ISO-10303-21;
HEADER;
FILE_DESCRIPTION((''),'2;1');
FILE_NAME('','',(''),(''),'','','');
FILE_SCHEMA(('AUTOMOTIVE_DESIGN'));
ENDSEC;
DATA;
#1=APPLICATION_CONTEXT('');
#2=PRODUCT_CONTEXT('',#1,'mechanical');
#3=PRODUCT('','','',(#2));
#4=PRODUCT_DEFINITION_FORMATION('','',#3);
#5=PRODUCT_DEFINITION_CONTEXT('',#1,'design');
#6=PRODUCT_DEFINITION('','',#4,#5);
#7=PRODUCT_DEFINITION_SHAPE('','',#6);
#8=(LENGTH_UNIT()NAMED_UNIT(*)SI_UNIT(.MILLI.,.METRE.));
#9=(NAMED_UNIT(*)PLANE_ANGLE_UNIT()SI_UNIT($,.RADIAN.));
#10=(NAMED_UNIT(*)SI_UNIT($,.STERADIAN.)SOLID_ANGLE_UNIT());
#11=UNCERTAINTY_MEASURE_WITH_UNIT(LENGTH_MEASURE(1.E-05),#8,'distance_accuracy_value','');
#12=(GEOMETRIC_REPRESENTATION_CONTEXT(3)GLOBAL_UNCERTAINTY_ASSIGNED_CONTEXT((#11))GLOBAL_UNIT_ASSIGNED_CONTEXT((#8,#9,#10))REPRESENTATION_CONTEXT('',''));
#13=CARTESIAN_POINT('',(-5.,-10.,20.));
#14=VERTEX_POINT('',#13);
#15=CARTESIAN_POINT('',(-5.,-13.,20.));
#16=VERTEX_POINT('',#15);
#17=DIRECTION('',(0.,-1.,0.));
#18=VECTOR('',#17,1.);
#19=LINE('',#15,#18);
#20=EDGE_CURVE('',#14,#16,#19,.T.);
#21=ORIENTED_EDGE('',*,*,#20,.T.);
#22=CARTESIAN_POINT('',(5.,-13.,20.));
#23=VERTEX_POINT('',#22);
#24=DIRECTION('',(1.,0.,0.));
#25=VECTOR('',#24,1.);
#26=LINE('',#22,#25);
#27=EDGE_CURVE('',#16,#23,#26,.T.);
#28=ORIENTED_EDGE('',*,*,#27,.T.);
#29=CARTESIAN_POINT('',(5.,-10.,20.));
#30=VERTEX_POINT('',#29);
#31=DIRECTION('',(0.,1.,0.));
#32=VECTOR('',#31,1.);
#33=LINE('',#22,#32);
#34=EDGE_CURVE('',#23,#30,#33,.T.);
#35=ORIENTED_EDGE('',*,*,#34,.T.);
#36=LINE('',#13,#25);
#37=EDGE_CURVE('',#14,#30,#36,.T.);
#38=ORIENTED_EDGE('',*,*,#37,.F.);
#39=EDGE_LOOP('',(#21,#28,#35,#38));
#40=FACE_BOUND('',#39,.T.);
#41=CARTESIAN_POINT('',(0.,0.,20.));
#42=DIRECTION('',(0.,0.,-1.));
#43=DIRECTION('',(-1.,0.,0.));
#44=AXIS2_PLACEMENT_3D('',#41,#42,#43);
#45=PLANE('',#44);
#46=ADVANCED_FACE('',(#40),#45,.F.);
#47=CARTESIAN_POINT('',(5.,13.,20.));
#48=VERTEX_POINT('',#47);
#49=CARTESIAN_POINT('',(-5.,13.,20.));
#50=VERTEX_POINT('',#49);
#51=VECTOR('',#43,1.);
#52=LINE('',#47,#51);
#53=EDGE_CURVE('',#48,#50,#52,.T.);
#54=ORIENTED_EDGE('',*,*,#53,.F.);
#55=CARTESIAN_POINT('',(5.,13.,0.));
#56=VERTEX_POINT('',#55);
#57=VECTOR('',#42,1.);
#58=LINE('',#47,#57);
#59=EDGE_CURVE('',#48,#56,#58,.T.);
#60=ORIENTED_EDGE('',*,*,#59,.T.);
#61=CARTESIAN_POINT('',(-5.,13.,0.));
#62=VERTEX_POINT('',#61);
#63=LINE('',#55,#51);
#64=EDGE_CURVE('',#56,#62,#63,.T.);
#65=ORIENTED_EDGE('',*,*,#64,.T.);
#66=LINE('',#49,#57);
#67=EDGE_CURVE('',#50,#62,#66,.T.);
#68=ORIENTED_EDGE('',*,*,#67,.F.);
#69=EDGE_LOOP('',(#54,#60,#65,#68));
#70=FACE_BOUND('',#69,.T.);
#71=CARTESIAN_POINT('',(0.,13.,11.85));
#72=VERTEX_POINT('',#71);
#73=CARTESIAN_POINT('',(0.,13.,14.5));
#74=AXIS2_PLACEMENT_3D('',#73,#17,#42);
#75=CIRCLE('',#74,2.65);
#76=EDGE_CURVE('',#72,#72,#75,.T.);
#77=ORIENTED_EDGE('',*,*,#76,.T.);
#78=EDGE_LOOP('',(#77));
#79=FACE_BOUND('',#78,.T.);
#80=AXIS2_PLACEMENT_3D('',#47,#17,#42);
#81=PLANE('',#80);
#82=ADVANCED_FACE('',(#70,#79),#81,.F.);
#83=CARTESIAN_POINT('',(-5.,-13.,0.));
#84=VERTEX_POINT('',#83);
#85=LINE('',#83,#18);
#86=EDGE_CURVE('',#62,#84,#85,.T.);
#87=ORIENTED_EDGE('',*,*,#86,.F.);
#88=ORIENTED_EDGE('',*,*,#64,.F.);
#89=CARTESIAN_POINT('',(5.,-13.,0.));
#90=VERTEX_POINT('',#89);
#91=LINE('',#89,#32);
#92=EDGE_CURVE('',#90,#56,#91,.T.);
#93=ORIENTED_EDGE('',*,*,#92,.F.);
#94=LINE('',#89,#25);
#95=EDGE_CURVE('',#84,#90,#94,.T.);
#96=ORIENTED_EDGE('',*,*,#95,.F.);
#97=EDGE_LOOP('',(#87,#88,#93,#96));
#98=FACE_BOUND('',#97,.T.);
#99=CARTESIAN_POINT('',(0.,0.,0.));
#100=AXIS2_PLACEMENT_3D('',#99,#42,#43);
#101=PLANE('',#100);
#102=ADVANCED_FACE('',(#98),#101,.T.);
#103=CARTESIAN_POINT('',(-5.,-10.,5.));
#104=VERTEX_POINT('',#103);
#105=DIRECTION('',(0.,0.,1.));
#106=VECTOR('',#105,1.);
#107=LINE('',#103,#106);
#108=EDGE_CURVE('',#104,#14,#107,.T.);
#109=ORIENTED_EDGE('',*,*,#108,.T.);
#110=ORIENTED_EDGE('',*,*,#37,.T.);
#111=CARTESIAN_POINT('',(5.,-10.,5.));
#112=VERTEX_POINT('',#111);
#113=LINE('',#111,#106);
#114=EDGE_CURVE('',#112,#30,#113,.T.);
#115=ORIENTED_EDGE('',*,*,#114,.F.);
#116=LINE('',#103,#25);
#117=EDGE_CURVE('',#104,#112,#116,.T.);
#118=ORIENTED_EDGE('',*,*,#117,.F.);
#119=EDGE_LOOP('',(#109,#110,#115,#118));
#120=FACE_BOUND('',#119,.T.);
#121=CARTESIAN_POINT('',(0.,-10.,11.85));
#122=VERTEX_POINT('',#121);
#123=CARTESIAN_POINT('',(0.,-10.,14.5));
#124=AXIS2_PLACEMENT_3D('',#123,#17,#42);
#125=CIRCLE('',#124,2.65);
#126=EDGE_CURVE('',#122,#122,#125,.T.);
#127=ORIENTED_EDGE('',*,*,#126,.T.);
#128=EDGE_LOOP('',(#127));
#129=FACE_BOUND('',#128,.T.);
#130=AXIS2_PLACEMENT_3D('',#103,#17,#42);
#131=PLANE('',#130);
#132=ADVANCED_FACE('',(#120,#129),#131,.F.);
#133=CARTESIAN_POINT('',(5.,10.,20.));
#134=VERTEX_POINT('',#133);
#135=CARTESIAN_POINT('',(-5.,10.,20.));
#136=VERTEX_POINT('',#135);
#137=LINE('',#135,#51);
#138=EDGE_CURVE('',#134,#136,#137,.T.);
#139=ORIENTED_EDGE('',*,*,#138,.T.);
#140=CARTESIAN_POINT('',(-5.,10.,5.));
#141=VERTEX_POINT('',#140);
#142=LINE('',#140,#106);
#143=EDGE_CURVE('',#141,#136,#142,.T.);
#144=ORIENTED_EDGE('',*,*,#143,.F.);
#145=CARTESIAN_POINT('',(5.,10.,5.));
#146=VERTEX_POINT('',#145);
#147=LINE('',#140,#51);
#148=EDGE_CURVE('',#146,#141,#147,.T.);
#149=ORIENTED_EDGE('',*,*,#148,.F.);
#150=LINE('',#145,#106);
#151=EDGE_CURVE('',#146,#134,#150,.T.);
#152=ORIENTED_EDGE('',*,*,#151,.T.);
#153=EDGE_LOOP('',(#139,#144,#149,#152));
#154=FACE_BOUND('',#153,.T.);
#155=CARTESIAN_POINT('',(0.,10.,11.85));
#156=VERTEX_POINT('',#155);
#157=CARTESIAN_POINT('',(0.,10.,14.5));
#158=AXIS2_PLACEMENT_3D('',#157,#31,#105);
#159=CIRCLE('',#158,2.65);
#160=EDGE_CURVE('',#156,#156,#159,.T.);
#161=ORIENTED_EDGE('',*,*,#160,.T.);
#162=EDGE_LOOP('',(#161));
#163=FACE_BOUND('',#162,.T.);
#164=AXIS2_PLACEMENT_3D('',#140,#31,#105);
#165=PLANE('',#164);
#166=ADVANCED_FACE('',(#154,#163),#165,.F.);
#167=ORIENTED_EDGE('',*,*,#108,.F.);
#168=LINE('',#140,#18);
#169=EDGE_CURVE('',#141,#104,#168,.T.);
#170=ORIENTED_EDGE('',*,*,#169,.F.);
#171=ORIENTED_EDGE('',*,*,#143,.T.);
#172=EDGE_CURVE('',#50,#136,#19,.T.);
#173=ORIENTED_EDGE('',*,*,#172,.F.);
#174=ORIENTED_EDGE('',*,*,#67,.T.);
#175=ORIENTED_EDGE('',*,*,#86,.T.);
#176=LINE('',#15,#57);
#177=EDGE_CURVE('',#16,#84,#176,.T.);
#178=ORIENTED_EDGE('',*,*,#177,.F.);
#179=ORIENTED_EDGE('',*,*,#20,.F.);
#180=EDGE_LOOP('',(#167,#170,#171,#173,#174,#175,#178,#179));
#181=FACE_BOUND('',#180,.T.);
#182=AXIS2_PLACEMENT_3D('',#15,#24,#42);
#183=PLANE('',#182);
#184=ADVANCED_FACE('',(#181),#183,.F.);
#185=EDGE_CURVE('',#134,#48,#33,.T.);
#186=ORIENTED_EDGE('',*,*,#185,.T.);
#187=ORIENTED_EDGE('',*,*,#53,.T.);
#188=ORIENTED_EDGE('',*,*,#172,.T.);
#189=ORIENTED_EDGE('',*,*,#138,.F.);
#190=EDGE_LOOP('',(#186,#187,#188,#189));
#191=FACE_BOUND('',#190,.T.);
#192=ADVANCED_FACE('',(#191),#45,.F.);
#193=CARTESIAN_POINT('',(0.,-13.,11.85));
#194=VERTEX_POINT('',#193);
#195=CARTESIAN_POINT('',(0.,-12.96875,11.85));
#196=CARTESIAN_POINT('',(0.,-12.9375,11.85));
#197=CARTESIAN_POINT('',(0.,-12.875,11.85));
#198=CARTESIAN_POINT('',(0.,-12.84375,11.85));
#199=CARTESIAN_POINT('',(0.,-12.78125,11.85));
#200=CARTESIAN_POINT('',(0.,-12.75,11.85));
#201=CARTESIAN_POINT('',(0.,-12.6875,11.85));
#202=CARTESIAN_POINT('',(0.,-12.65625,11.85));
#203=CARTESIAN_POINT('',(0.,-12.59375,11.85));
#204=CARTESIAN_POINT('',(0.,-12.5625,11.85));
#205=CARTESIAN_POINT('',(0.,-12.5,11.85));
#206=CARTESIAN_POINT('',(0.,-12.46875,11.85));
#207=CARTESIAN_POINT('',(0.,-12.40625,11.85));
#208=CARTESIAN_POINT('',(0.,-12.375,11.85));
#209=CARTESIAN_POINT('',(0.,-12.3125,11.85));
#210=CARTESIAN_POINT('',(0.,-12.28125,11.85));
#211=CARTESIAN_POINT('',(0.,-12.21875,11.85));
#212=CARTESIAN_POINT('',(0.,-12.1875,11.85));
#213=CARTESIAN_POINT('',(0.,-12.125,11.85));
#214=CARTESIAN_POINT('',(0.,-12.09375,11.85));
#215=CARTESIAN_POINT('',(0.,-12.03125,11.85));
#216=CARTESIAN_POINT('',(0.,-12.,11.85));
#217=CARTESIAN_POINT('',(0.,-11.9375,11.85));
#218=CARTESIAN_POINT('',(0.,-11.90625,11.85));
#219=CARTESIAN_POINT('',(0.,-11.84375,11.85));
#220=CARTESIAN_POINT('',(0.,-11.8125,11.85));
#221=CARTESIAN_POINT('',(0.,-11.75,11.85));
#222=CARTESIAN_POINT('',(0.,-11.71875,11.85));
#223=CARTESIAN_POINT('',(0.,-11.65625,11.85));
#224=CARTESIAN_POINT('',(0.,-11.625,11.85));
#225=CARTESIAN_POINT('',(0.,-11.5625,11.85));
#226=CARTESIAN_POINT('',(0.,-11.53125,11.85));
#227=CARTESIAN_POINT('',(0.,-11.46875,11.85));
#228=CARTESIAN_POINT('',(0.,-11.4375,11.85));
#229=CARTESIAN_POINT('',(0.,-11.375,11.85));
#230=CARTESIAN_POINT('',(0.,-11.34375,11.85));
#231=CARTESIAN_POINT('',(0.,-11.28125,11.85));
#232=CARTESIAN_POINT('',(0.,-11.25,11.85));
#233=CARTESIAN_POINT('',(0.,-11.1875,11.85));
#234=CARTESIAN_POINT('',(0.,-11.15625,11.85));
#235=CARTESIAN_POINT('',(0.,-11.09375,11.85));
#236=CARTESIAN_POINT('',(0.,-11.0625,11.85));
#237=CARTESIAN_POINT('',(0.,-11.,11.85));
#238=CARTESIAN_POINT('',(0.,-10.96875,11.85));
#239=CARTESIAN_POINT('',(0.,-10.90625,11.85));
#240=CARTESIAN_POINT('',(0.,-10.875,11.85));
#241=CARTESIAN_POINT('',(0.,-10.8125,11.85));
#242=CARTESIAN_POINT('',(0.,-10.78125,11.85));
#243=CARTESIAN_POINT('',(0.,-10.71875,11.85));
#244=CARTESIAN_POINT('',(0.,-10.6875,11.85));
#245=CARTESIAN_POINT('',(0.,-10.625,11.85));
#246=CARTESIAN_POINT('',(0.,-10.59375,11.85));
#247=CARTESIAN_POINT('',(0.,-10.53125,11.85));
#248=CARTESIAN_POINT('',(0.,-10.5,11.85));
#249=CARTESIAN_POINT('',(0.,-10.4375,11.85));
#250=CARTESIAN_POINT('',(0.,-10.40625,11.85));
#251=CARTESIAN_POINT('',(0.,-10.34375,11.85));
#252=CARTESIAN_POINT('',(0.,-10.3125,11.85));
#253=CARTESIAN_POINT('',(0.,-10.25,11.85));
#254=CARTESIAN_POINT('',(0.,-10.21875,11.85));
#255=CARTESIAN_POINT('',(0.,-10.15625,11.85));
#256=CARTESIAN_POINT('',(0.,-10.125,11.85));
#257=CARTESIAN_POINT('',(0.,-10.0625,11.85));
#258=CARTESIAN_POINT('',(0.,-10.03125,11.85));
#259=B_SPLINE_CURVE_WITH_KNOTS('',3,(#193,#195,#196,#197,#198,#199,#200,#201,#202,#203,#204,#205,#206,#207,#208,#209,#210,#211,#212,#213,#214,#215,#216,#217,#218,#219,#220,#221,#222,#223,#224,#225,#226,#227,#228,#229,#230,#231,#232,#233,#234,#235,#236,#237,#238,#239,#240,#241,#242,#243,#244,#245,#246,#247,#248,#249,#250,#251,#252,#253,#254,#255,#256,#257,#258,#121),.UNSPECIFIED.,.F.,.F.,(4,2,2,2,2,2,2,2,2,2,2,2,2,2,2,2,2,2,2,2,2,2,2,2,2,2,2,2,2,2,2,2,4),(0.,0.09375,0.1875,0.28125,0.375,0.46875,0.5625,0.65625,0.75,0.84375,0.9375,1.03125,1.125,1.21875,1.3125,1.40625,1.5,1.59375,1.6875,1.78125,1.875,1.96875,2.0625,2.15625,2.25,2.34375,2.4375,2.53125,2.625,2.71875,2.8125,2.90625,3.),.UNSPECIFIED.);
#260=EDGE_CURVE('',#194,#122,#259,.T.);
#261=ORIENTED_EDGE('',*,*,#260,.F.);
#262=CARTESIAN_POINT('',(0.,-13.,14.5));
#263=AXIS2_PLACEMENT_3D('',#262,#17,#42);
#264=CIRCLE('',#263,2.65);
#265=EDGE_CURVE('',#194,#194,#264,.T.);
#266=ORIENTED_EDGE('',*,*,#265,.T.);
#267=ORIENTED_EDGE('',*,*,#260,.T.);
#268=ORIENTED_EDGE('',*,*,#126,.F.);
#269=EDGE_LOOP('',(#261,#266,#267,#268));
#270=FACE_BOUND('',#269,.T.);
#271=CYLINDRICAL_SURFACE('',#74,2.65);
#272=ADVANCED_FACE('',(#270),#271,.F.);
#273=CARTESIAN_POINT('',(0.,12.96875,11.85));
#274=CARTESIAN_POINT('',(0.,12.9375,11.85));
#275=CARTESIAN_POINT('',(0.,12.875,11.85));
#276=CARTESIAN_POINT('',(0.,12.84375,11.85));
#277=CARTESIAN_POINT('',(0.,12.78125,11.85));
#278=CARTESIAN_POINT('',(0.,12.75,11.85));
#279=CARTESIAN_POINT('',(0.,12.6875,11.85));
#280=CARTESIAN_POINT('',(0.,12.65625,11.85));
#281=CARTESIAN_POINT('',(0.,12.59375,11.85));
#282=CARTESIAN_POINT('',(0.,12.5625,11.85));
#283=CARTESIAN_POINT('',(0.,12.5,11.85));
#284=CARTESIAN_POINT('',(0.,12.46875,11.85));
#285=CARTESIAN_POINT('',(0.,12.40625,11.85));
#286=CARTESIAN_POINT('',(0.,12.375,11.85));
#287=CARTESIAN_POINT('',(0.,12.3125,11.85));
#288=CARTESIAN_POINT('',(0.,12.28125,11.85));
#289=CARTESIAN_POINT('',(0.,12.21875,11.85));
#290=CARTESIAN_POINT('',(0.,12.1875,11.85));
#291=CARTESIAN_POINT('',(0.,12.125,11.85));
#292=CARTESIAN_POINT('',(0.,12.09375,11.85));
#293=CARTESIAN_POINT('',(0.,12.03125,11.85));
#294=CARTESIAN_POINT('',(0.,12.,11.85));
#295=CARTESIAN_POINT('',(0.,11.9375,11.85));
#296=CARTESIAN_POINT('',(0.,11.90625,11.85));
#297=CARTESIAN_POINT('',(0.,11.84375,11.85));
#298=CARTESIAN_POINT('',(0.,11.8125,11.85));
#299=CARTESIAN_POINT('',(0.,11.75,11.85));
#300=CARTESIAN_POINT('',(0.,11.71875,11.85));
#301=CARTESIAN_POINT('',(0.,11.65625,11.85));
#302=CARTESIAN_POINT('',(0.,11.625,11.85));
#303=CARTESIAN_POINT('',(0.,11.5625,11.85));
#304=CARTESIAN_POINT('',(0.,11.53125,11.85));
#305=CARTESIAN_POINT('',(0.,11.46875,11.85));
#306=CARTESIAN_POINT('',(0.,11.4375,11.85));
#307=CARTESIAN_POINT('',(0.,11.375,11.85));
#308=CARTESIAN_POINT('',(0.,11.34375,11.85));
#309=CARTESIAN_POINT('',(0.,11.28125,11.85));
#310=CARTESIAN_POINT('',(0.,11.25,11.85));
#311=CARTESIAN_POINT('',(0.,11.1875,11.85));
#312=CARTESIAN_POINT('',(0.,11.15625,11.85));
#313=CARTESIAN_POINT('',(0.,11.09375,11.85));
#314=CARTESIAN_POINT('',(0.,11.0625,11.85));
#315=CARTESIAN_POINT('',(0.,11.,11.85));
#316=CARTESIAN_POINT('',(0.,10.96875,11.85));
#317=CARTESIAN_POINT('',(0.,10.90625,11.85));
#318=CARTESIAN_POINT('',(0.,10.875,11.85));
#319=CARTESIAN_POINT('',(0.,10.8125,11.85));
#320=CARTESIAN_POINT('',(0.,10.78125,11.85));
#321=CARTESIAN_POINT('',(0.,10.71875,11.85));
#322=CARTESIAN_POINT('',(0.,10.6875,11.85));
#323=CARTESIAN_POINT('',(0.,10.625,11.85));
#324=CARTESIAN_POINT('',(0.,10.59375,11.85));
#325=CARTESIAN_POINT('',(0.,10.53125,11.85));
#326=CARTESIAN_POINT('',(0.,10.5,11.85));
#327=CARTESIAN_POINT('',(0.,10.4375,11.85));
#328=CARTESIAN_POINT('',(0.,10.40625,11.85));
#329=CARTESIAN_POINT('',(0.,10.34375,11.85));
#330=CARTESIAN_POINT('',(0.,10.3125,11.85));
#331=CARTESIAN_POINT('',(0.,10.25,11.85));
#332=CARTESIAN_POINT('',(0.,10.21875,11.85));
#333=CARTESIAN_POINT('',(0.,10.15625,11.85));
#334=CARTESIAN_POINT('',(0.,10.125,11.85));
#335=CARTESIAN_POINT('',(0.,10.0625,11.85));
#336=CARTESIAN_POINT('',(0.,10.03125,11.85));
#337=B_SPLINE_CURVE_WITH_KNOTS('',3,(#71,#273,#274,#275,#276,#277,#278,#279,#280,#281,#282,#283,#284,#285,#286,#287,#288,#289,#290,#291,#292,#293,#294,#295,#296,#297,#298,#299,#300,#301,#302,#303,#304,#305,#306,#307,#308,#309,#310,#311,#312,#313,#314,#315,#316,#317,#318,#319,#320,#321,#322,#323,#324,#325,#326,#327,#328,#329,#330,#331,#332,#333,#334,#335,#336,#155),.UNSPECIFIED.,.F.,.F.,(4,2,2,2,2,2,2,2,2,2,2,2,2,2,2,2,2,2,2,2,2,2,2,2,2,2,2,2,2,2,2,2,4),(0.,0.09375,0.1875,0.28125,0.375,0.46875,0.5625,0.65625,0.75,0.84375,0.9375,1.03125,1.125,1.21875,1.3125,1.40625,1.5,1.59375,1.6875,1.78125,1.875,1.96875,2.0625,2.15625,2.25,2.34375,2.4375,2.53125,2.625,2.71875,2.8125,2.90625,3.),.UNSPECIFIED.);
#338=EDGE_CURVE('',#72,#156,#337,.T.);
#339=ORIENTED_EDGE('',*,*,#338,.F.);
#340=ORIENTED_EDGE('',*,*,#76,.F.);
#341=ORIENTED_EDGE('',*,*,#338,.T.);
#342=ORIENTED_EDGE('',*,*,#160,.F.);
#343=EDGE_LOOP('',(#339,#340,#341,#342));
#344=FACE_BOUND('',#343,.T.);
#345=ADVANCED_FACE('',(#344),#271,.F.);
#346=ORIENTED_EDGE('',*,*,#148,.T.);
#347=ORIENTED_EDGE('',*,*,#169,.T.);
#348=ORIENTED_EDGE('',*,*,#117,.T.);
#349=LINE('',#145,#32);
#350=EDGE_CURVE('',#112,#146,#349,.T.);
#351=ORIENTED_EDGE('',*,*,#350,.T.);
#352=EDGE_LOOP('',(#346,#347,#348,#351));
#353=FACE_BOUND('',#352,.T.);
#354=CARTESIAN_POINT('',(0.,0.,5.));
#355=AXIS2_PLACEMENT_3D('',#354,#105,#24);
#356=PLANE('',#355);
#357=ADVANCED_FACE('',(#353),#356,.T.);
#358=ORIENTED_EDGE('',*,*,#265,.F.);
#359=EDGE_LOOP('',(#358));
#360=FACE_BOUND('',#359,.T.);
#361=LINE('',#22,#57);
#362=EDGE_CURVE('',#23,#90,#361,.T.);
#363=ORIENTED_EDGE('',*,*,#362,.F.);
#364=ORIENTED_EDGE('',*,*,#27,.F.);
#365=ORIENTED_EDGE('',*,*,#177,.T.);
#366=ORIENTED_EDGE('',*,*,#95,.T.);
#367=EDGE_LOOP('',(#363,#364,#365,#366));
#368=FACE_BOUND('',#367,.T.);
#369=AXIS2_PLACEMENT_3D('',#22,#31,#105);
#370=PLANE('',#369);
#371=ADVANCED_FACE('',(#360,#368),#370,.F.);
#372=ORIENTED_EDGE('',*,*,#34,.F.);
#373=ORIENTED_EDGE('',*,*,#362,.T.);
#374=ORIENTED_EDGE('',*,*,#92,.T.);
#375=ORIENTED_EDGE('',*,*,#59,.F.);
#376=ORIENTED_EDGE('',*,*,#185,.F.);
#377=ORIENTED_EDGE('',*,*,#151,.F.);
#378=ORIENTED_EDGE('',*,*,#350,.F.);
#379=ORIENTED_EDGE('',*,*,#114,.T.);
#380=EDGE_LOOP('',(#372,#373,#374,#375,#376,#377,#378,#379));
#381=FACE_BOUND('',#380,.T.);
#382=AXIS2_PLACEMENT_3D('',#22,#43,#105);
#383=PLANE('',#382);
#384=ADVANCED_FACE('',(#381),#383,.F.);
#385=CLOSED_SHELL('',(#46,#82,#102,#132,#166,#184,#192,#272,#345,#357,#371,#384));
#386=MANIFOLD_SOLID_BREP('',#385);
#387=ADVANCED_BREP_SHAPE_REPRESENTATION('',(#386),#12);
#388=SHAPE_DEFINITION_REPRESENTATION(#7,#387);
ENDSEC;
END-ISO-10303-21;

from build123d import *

# Parameters (mm, degrees)
SKETCH2_W           = 26
SKETCH2_H           = 10
BOSS_EXTRUDE1_DEPTH = 20
SKETCH3_W           = 10
SKETCH3_H           = 20
CUT_EXTRUDE1_DEPTH  = 15
SKETCH4_R           = 2.65
CUT_EXTRUDE2_DEPTH  = 34.181320046


with BuildPart() as part:
    # Sketch2 → Boss-Extrude1 (new body)
    with BuildSketch(Plane(origin=(0, 0, 0), x_dir=(0, 1, 0), z_dir=(0, 0, 1))):
        Rectangle(SKETCH2_W, SKETCH2_H)
    extrude(amount=BOSS_EXTRUDE1_DEPTH)

    # Sketch3 → Cut-Extrude1 (cut)
    with BuildSketch(Plane.XY.offset(20)):
        Rectangle(SKETCH3_W, SKETCH3_H)
    extrude(amount=-CUT_EXTRUDE1_DEPTH, mode=Mode.SUBTRACT)

    # Sketch4 → Cut-Extrude2 (cut, through all)
    with BuildSketch(Plane.XZ.offset(13)):
        with Locations(Location((0, 14.5, 0), (0, 0, 270))):
            Circle(SKETCH4_R)
    extrude(amount=-CUT_EXTRUDE2_DEPTH, mode=Mode.SUBTRACT)


solid = part.part
